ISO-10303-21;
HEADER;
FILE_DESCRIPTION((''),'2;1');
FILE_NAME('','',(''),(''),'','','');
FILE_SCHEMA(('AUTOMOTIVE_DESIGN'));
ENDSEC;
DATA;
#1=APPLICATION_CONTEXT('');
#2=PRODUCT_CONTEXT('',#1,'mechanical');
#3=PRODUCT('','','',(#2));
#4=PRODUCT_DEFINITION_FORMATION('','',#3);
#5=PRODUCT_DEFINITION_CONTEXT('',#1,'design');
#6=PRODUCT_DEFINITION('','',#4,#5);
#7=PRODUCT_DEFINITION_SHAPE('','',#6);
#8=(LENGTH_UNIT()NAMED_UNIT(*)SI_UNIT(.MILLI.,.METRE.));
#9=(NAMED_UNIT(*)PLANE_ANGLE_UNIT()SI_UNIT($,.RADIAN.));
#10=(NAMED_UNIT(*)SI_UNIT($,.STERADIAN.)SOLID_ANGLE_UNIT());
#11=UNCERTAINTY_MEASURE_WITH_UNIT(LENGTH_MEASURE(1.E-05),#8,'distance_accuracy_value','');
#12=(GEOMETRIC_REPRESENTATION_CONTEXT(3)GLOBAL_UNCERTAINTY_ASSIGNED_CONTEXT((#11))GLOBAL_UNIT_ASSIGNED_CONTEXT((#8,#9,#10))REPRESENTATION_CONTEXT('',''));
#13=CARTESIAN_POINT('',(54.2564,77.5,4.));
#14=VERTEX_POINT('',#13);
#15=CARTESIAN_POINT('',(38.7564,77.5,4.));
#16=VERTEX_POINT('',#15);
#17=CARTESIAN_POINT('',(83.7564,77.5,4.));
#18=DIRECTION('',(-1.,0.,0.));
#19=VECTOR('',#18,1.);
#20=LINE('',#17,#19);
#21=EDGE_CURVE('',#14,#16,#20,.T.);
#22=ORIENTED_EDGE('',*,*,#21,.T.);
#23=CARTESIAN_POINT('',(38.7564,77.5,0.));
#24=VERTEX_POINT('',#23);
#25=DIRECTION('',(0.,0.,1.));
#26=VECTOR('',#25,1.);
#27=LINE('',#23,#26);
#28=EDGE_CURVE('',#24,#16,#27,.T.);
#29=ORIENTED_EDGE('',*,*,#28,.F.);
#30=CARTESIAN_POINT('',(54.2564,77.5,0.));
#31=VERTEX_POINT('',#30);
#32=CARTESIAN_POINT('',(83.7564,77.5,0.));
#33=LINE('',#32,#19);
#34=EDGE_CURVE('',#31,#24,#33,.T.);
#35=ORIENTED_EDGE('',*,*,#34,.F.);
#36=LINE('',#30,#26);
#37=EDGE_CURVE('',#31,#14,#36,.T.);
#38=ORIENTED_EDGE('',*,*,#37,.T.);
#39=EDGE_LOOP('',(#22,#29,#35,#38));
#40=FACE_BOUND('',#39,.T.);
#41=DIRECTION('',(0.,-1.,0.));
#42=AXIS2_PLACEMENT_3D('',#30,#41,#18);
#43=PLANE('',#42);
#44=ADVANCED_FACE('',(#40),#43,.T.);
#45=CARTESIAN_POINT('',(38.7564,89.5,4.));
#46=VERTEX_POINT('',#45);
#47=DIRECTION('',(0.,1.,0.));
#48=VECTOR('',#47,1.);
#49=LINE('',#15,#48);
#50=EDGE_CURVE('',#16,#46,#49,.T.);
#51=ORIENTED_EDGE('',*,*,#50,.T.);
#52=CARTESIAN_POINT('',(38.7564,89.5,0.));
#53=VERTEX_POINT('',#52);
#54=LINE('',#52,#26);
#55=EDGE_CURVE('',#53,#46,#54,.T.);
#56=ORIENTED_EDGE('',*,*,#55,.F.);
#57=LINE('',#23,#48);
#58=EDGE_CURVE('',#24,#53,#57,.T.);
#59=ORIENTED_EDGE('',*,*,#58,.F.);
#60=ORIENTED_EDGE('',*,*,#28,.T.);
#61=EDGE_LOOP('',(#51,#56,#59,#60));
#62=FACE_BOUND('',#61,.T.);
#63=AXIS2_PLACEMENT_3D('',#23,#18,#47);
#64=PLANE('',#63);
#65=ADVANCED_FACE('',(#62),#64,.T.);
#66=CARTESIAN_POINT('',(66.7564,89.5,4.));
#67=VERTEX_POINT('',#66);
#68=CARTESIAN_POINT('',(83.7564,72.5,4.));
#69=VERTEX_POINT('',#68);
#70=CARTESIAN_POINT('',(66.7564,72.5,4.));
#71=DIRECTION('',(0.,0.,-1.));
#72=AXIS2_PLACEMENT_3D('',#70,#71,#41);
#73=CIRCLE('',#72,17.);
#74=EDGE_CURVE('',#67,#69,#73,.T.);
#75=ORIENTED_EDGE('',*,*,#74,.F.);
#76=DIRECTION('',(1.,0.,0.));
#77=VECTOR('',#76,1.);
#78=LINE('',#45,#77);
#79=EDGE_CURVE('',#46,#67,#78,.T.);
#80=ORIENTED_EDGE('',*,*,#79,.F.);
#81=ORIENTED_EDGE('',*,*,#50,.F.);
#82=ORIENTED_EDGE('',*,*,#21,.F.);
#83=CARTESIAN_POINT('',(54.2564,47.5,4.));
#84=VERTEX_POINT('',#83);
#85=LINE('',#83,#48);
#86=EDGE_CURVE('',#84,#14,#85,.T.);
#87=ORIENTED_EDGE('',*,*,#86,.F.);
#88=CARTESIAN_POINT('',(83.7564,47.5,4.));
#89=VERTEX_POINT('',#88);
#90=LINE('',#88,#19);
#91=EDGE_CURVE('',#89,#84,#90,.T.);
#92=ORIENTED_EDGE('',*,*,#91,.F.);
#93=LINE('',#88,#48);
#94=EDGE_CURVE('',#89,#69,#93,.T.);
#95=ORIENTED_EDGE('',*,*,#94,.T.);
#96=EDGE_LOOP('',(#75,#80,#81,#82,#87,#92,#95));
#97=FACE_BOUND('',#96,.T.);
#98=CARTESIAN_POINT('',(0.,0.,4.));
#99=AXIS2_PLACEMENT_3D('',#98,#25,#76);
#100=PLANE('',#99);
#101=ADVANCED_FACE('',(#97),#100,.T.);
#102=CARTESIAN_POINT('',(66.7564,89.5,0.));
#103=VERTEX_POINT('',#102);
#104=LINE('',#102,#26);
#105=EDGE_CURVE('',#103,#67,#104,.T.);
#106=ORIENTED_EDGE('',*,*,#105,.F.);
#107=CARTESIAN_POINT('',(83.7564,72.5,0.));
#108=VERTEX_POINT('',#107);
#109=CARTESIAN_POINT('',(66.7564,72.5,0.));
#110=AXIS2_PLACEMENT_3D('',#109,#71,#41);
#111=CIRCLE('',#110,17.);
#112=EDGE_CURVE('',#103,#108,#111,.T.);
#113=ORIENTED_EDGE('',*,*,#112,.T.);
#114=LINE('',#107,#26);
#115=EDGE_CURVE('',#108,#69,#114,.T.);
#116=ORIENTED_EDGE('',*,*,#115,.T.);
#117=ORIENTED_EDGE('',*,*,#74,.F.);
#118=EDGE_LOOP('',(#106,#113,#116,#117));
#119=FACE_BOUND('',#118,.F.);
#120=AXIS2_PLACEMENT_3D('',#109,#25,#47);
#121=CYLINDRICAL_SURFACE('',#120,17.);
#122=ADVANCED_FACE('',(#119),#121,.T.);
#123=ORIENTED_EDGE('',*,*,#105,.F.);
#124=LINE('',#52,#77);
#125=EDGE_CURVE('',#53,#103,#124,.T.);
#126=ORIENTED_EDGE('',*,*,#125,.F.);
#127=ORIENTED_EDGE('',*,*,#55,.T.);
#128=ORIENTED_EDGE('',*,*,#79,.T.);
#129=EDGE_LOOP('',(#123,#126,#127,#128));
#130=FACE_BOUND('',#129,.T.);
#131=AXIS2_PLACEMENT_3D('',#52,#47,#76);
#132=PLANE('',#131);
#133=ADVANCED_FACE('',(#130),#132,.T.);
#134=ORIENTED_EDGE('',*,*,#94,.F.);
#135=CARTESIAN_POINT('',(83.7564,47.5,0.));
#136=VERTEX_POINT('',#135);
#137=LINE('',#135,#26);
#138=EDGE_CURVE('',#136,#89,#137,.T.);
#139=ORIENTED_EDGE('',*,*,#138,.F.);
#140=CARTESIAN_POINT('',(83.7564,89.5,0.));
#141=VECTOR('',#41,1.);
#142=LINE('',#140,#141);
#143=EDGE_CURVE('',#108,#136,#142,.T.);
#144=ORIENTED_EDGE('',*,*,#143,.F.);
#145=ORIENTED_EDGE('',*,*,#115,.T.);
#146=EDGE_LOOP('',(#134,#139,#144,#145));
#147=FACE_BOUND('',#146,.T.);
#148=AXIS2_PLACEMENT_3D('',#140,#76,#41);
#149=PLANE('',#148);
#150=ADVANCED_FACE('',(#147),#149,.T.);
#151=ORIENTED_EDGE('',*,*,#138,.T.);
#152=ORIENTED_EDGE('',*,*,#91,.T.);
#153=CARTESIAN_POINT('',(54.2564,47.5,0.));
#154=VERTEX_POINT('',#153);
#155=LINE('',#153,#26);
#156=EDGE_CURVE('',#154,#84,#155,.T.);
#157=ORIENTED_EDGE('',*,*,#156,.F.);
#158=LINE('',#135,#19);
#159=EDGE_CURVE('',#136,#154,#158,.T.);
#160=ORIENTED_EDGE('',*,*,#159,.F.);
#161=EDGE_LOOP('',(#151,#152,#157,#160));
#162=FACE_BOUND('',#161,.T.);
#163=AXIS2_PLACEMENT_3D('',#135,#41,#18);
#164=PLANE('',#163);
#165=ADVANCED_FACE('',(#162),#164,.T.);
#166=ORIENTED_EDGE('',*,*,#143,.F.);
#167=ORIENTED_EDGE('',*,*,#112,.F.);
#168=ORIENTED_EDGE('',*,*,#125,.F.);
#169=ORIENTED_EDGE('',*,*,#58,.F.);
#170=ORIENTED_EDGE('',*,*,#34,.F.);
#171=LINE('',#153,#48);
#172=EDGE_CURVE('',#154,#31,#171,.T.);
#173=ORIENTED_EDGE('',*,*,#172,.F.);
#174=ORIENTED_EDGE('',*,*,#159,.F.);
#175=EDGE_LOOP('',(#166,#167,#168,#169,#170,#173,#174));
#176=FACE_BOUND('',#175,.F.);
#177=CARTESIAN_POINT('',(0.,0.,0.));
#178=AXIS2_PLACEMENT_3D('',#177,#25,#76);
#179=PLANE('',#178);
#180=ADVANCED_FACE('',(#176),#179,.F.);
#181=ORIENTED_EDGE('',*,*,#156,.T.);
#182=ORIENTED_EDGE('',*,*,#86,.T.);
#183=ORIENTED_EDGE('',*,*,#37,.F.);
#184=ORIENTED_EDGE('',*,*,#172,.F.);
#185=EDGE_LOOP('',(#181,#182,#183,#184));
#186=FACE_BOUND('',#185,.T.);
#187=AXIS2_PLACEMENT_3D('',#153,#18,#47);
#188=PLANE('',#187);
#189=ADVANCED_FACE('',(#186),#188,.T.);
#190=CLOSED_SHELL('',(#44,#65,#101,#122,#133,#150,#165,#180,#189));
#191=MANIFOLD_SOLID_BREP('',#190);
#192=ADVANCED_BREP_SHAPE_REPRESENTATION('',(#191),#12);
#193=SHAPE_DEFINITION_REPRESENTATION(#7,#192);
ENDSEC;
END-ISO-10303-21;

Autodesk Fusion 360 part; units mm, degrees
sketch "Sketch1" plane through (0, 0, 0) normal (0, 0, 1) x (1, 0, 0)
  line L0 (54.2564, 77.5) -> (83.7564, 77.5)
  line L1 (83.7564, 77.5) -> (83.7564, 47.5)
  line L2 (83.7564, 47.5) -> (54.2564, 47.5)
  line L3 (54.2564, 47.5) -> (54.2564, 77.5)
  line L4 (83.7564, 77.5) -> (38.7564, 77.5)
  line L5 (38.7564, 77.5) -> (38.7564, 89.5)
  line L6 (38.7564, 89.5) -> (83.7564, 89.5)
  line L7 (83.7564, 89.5) -> (83.7564, 77.5)
  dimension "d3" = 29.5
  dimension "d4" = 30
  dimension "d5" = 12
  dimension "d6" = 45
extrude "Extrude1" add sketch "Sketch1" along normal blind 4
fillet "Fillet1" radius 17 1 edges at (83.7564, 89.5, 2)
